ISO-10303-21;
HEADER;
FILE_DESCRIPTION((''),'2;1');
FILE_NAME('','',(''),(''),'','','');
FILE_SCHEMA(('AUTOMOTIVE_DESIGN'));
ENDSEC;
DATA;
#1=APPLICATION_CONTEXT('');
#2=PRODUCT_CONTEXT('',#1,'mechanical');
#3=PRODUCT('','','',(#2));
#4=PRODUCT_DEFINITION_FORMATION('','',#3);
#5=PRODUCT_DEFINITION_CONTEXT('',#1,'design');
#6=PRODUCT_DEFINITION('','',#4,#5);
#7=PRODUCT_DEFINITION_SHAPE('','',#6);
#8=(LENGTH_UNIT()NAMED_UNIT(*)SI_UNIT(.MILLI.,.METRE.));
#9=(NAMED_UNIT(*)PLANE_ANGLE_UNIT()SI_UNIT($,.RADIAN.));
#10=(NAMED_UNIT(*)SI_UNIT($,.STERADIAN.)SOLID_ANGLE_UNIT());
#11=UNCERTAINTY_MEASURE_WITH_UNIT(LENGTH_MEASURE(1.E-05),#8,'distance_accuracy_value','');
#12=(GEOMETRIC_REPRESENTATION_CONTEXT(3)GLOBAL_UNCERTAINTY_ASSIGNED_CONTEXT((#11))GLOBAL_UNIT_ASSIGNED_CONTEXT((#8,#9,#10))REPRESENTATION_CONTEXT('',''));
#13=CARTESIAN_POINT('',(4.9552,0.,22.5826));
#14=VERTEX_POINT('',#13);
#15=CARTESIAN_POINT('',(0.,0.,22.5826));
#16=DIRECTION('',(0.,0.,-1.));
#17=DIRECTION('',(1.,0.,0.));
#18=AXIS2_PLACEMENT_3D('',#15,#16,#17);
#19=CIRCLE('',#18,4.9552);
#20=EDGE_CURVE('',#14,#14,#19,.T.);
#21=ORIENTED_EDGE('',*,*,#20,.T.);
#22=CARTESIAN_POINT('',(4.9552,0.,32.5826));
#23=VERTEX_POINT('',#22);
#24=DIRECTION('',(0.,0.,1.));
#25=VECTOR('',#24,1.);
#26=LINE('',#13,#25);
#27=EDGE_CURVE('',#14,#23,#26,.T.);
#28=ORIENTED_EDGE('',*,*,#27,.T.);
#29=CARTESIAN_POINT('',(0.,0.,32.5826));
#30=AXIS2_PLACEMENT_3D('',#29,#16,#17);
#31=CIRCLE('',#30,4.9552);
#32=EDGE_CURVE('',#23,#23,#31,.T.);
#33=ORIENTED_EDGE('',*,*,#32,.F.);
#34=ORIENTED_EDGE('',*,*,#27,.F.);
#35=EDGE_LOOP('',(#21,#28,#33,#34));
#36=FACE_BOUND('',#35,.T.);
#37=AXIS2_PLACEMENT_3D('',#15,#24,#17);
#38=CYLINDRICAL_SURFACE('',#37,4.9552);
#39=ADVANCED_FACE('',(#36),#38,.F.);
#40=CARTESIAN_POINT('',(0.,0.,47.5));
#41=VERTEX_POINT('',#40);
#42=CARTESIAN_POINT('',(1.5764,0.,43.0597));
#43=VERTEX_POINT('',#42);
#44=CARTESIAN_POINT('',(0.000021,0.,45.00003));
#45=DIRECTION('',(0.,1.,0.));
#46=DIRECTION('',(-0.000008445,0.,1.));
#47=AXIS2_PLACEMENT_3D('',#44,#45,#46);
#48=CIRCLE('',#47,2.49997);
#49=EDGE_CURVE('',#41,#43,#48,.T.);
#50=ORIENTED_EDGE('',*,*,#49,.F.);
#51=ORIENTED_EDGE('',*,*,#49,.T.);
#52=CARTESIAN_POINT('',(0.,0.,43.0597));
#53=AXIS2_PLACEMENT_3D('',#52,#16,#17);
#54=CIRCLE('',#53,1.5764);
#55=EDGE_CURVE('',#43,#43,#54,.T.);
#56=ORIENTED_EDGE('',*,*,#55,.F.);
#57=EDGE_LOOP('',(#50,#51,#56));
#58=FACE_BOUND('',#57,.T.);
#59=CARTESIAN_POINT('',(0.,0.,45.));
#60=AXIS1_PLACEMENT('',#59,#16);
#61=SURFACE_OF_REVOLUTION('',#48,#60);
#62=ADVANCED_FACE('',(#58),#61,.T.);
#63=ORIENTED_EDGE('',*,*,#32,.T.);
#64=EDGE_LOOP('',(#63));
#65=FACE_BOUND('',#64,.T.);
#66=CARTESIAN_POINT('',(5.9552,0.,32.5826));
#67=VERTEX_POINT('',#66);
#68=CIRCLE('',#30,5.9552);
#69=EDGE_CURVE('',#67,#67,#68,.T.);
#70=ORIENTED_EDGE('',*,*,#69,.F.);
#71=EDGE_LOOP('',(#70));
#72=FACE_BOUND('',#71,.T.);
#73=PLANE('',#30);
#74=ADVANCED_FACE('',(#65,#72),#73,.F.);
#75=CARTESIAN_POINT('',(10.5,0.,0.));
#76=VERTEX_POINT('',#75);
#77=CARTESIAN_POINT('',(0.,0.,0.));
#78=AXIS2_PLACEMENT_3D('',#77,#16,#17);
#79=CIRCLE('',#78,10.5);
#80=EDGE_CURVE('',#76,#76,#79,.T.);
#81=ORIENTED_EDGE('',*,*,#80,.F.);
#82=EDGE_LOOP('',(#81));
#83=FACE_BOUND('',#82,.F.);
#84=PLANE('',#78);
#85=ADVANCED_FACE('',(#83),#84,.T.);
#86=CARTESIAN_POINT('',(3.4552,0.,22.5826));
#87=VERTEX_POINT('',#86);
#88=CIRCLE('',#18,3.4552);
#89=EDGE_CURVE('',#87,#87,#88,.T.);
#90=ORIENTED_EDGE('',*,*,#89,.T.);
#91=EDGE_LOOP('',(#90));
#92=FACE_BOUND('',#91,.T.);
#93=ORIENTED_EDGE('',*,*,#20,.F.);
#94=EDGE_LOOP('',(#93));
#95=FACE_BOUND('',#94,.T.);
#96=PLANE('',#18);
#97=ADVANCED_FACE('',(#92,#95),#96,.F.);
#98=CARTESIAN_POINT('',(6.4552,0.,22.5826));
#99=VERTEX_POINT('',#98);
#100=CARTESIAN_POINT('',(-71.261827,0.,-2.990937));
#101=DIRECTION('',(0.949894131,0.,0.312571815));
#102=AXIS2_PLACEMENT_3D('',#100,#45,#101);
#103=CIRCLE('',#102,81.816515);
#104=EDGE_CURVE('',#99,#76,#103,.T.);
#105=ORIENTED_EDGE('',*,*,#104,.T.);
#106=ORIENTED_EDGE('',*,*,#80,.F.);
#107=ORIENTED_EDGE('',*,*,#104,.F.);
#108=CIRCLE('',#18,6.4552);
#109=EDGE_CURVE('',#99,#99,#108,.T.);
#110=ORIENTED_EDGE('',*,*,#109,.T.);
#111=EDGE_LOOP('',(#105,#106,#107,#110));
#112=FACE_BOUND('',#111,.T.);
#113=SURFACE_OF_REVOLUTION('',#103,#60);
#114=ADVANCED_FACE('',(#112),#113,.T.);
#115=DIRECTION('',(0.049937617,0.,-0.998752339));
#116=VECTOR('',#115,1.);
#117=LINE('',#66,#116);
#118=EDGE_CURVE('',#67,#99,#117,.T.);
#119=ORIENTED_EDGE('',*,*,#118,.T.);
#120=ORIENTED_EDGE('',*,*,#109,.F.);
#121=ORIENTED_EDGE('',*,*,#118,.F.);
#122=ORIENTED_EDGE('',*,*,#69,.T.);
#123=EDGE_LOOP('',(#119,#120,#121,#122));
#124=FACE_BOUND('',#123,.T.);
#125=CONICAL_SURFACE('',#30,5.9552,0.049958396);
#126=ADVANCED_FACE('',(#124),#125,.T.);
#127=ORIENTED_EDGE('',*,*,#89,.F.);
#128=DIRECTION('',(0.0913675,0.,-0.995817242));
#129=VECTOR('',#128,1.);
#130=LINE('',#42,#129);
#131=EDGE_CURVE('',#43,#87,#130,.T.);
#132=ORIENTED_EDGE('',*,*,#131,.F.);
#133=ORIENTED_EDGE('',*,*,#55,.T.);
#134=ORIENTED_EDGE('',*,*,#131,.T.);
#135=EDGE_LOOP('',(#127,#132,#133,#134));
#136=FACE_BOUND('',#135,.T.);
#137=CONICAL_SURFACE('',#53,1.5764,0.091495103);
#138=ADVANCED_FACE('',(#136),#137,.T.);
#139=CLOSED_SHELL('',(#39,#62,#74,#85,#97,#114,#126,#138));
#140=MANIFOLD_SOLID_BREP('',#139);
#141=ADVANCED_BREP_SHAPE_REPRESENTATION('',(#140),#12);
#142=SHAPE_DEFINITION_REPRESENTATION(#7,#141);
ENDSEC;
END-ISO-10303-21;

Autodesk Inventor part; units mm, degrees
ref_plane "YZ Plane" through (0, 0, 0) normal (1, 0, 0) x (0, 1, 0)
ref_plane "XZ Plane" through (0, 0, 0) normal (0, 1, 0) x (-1, 0, 0)
ref_plane "XY Plane" through (0, 0, 0) normal (0, 0, 1) x (1, 0, 0)
sketch "Sketch2" plane through (0, 0, 0) normal (0, 1, 0) x (-1, 0, 0)
  line L0 (0, 0) -> (-10.5, 0)
  arc A0 (0, 47.5) -> (-1.5764, 43.0597) centre (0, 45) ccw
  line L1 (0, 45) -> (0, 47.5)
  line L2 (-1.5764, 43.0597) -> (-3.4552, 22.5826)
  line L3 (-3.4552, 22.5826) -> (-4.9552, 22.5826)
  line L4 (-4.9552, 22.5826) -> (-4.9552, 32.5826)
  line L5 (0, 45) -> (0, 0)
  arc A1 (-6.4552, 22.5826) -> (-10.5, 0) centre (71.2601, -2.9905) ccw
  line L6 (-4.9552, 32.5826) -> (-5.9552, 32.5826)
  line L7 (-5.9552, 32.5826) -> (-6.4552, 22.5826)
  dimension "d0" = 10.5
  dimension "d13" = 1.5
  dimension "d17" = 1
revolve "Revolution1" add sketch "Sketch2" angle 360 about axis through (0, 0, 45) along (0, 0, -1)
properties part number "king"
